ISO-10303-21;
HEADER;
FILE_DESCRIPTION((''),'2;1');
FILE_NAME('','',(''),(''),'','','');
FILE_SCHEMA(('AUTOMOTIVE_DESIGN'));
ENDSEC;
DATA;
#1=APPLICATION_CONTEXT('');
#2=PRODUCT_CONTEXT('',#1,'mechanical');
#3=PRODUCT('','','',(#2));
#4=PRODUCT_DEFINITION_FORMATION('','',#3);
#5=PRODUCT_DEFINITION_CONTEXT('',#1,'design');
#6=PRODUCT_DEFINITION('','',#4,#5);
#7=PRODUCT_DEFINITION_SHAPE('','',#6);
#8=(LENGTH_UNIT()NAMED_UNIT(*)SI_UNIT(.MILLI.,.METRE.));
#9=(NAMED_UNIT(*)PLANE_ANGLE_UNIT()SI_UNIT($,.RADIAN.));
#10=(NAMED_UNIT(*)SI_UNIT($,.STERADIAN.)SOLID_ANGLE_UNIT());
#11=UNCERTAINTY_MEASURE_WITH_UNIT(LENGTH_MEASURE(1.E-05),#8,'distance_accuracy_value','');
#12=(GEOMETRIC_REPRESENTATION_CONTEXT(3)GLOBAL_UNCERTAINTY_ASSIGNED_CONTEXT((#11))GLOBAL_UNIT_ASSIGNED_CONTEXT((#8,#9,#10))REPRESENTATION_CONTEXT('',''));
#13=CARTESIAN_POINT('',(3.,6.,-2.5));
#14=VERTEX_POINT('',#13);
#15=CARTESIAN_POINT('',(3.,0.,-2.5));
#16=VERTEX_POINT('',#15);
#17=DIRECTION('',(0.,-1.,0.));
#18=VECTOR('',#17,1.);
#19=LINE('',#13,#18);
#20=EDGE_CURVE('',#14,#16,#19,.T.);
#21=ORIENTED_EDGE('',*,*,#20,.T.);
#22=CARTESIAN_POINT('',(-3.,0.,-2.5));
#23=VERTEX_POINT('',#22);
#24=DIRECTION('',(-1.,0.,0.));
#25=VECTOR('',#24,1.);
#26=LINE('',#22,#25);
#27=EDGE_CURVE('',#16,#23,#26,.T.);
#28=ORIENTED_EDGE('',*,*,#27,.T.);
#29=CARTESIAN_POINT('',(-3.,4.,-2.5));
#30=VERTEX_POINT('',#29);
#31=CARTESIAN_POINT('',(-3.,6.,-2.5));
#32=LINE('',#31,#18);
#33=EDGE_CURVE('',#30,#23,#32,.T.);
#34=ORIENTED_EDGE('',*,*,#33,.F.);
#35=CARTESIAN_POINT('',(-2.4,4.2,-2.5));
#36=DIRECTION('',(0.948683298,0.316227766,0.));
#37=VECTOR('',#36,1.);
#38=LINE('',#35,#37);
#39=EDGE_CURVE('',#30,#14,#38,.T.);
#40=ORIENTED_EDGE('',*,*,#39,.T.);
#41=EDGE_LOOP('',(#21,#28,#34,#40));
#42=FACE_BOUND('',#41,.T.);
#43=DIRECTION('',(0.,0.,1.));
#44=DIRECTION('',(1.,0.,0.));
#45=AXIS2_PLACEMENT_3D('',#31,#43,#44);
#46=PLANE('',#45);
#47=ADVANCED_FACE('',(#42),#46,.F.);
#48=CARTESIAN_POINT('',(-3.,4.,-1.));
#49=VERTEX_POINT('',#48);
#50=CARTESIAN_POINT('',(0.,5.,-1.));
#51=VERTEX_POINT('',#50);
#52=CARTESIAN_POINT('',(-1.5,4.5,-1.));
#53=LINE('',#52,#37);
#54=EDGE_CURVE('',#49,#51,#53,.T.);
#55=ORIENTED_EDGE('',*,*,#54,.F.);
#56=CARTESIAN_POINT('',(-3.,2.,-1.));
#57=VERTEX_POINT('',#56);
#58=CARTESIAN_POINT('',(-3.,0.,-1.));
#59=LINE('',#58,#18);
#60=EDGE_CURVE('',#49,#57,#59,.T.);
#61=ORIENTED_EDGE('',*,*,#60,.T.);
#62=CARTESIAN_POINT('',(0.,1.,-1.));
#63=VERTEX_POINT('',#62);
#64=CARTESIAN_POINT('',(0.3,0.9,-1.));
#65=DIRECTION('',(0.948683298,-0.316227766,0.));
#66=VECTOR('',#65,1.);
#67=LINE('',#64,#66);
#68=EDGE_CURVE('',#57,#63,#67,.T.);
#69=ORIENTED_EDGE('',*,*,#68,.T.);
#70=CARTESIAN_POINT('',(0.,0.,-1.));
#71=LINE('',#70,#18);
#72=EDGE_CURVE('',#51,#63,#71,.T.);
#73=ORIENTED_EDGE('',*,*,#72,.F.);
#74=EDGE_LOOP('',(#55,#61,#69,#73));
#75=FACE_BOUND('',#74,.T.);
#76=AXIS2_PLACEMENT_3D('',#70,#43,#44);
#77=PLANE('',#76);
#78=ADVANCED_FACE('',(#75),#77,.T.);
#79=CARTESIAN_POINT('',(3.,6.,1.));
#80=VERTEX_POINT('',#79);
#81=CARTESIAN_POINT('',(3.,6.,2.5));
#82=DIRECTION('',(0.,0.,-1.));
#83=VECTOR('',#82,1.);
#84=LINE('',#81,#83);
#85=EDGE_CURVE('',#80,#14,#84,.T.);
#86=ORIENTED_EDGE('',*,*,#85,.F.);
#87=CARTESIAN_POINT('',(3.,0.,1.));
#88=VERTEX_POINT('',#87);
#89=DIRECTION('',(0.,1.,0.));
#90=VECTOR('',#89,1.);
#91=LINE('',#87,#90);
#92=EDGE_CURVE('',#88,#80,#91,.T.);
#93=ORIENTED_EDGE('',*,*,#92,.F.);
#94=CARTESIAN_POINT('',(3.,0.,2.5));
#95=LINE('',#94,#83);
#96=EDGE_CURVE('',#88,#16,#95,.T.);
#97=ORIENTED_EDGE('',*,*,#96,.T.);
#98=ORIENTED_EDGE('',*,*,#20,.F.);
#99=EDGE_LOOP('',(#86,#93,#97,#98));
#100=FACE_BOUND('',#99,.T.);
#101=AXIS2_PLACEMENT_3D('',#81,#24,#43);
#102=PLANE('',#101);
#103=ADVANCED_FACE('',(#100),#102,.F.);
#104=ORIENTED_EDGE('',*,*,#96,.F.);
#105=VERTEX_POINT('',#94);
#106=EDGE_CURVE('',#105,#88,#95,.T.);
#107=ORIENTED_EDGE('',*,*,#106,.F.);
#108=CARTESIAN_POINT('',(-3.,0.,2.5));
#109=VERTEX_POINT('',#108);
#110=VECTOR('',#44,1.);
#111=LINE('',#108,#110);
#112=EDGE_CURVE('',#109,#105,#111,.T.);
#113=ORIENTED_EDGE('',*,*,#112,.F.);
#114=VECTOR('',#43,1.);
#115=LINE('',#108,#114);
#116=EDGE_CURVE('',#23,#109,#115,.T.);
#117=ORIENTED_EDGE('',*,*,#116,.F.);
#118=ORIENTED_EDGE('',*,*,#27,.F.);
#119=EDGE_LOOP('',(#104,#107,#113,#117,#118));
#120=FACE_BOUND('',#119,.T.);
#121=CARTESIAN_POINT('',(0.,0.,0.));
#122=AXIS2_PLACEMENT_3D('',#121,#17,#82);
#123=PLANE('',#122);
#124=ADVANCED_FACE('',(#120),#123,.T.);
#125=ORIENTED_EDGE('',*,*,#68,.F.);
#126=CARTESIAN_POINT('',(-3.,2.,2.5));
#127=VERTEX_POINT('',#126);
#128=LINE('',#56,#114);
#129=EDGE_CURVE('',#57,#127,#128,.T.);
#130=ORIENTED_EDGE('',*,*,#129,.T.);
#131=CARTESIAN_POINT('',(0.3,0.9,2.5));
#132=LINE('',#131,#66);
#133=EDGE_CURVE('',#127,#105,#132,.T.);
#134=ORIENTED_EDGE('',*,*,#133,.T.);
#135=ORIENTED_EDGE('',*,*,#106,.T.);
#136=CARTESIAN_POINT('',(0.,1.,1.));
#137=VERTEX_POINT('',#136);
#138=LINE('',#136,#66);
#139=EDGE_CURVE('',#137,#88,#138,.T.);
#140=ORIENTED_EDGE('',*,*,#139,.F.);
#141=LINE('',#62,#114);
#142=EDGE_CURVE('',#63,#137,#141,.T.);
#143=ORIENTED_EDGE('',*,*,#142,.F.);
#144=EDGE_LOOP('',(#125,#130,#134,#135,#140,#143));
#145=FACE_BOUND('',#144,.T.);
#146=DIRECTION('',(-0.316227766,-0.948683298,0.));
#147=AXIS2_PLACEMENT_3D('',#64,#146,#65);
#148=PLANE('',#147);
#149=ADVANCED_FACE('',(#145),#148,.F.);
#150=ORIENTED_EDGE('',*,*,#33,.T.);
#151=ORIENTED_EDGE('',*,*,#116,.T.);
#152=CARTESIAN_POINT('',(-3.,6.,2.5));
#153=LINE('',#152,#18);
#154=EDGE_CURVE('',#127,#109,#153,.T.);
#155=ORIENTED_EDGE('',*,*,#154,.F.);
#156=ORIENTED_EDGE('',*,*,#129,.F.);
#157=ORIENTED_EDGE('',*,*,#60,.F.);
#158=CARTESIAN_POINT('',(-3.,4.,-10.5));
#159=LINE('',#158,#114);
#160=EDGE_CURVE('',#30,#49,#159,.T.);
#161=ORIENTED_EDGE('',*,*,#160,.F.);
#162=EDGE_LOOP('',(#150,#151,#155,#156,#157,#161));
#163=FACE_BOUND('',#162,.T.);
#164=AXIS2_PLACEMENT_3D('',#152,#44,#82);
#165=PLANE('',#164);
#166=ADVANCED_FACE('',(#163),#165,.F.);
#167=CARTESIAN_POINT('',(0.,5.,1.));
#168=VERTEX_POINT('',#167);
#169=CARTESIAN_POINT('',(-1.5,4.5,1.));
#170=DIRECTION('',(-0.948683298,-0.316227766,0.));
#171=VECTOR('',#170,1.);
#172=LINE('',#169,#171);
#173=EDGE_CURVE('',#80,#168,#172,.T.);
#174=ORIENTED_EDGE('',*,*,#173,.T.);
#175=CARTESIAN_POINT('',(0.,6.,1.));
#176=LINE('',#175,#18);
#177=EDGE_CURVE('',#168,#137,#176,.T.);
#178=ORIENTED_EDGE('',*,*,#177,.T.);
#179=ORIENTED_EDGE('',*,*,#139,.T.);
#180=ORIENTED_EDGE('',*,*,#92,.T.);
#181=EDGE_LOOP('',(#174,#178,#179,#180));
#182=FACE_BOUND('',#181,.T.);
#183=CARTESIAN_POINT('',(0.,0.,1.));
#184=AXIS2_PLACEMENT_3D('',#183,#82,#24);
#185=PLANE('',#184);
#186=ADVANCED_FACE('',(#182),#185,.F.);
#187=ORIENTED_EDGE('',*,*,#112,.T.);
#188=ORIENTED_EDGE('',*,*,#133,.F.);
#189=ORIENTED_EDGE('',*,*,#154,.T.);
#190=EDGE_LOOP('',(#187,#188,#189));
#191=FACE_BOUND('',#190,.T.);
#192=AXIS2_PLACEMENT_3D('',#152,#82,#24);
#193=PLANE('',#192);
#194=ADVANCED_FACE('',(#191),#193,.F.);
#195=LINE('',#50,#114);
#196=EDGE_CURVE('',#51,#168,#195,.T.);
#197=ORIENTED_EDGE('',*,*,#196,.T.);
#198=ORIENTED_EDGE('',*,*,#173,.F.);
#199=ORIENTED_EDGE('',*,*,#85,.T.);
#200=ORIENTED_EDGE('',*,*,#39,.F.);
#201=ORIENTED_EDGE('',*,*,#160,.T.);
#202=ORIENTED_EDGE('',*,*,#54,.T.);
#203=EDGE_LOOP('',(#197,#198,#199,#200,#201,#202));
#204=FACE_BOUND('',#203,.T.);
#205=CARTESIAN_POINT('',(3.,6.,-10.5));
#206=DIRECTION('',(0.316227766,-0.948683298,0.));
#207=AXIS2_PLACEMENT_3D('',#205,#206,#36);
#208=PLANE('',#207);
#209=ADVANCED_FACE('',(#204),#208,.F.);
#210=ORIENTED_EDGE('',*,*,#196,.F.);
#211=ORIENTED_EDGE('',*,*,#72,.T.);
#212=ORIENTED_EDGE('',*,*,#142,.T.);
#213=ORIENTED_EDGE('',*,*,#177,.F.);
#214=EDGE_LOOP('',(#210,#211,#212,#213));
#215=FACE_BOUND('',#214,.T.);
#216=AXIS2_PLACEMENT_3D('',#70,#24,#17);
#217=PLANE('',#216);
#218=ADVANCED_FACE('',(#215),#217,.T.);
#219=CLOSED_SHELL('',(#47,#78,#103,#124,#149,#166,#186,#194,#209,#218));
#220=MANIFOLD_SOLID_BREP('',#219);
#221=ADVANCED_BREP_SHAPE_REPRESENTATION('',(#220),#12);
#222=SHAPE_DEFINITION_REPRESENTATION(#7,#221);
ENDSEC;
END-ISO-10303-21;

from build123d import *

# Parameters (mm, degrees)
SKETCH1_W           = 6
SKETCH1_H           = 5
BOSS_EXTRUDE1_DEPTH = 6
CUT_EXTRUDE1_DEPTH  = 3.5
CUT_EXTRUDE2_DEPTH  = 1.5
CUT_EXTRUDE3_DEPTH  = 11.5


with BuildPart() as part:
    # Sketch1 → Boss-Extrude1 (new body)
    with BuildSketch(Plane(origin=(0, 0, 0), x_dir=(1, 0, 0), z_dir=(0, 1, 0))):
        Rectangle(SKETCH1_W, SKETCH1_H)
    extrude(amount=BOSS_EXTRUDE1_DEPTH)

    # Sketch2 → Cut-Extrude1 (cut)
    with BuildSketch(Plane.XY.offset(2.5)):
        Polygon((-3, 6), (-3, 2), (0, 1), (0, 6), align=None)
    extrude(amount=-CUT_EXTRUDE1_DEPTH, mode=Mode.SUBTRACT)

    # Sketch3 → Cut-Extrude2 (cut)
    with BuildSketch(Plane.XY.offset(2.5)):
        Polygon((0, 1), (3, 0), (3, 6), (0, 6), align=None)
    extrude(amount=-CUT_EXTRUDE2_DEPTH, mode=Mode.SUBTRACT)

    # Sketch4 → Cut-Extrude3 (cut)
    with BuildSketch(Plane.XY.offset(1)):
        Polygon((3, 6), (-3, 4), (-3, 6), align=None)
    extrude(amount=-CUT_EXTRUDE3_DEPTH, mode=Mode.SUBTRACT)


solid = part.part
